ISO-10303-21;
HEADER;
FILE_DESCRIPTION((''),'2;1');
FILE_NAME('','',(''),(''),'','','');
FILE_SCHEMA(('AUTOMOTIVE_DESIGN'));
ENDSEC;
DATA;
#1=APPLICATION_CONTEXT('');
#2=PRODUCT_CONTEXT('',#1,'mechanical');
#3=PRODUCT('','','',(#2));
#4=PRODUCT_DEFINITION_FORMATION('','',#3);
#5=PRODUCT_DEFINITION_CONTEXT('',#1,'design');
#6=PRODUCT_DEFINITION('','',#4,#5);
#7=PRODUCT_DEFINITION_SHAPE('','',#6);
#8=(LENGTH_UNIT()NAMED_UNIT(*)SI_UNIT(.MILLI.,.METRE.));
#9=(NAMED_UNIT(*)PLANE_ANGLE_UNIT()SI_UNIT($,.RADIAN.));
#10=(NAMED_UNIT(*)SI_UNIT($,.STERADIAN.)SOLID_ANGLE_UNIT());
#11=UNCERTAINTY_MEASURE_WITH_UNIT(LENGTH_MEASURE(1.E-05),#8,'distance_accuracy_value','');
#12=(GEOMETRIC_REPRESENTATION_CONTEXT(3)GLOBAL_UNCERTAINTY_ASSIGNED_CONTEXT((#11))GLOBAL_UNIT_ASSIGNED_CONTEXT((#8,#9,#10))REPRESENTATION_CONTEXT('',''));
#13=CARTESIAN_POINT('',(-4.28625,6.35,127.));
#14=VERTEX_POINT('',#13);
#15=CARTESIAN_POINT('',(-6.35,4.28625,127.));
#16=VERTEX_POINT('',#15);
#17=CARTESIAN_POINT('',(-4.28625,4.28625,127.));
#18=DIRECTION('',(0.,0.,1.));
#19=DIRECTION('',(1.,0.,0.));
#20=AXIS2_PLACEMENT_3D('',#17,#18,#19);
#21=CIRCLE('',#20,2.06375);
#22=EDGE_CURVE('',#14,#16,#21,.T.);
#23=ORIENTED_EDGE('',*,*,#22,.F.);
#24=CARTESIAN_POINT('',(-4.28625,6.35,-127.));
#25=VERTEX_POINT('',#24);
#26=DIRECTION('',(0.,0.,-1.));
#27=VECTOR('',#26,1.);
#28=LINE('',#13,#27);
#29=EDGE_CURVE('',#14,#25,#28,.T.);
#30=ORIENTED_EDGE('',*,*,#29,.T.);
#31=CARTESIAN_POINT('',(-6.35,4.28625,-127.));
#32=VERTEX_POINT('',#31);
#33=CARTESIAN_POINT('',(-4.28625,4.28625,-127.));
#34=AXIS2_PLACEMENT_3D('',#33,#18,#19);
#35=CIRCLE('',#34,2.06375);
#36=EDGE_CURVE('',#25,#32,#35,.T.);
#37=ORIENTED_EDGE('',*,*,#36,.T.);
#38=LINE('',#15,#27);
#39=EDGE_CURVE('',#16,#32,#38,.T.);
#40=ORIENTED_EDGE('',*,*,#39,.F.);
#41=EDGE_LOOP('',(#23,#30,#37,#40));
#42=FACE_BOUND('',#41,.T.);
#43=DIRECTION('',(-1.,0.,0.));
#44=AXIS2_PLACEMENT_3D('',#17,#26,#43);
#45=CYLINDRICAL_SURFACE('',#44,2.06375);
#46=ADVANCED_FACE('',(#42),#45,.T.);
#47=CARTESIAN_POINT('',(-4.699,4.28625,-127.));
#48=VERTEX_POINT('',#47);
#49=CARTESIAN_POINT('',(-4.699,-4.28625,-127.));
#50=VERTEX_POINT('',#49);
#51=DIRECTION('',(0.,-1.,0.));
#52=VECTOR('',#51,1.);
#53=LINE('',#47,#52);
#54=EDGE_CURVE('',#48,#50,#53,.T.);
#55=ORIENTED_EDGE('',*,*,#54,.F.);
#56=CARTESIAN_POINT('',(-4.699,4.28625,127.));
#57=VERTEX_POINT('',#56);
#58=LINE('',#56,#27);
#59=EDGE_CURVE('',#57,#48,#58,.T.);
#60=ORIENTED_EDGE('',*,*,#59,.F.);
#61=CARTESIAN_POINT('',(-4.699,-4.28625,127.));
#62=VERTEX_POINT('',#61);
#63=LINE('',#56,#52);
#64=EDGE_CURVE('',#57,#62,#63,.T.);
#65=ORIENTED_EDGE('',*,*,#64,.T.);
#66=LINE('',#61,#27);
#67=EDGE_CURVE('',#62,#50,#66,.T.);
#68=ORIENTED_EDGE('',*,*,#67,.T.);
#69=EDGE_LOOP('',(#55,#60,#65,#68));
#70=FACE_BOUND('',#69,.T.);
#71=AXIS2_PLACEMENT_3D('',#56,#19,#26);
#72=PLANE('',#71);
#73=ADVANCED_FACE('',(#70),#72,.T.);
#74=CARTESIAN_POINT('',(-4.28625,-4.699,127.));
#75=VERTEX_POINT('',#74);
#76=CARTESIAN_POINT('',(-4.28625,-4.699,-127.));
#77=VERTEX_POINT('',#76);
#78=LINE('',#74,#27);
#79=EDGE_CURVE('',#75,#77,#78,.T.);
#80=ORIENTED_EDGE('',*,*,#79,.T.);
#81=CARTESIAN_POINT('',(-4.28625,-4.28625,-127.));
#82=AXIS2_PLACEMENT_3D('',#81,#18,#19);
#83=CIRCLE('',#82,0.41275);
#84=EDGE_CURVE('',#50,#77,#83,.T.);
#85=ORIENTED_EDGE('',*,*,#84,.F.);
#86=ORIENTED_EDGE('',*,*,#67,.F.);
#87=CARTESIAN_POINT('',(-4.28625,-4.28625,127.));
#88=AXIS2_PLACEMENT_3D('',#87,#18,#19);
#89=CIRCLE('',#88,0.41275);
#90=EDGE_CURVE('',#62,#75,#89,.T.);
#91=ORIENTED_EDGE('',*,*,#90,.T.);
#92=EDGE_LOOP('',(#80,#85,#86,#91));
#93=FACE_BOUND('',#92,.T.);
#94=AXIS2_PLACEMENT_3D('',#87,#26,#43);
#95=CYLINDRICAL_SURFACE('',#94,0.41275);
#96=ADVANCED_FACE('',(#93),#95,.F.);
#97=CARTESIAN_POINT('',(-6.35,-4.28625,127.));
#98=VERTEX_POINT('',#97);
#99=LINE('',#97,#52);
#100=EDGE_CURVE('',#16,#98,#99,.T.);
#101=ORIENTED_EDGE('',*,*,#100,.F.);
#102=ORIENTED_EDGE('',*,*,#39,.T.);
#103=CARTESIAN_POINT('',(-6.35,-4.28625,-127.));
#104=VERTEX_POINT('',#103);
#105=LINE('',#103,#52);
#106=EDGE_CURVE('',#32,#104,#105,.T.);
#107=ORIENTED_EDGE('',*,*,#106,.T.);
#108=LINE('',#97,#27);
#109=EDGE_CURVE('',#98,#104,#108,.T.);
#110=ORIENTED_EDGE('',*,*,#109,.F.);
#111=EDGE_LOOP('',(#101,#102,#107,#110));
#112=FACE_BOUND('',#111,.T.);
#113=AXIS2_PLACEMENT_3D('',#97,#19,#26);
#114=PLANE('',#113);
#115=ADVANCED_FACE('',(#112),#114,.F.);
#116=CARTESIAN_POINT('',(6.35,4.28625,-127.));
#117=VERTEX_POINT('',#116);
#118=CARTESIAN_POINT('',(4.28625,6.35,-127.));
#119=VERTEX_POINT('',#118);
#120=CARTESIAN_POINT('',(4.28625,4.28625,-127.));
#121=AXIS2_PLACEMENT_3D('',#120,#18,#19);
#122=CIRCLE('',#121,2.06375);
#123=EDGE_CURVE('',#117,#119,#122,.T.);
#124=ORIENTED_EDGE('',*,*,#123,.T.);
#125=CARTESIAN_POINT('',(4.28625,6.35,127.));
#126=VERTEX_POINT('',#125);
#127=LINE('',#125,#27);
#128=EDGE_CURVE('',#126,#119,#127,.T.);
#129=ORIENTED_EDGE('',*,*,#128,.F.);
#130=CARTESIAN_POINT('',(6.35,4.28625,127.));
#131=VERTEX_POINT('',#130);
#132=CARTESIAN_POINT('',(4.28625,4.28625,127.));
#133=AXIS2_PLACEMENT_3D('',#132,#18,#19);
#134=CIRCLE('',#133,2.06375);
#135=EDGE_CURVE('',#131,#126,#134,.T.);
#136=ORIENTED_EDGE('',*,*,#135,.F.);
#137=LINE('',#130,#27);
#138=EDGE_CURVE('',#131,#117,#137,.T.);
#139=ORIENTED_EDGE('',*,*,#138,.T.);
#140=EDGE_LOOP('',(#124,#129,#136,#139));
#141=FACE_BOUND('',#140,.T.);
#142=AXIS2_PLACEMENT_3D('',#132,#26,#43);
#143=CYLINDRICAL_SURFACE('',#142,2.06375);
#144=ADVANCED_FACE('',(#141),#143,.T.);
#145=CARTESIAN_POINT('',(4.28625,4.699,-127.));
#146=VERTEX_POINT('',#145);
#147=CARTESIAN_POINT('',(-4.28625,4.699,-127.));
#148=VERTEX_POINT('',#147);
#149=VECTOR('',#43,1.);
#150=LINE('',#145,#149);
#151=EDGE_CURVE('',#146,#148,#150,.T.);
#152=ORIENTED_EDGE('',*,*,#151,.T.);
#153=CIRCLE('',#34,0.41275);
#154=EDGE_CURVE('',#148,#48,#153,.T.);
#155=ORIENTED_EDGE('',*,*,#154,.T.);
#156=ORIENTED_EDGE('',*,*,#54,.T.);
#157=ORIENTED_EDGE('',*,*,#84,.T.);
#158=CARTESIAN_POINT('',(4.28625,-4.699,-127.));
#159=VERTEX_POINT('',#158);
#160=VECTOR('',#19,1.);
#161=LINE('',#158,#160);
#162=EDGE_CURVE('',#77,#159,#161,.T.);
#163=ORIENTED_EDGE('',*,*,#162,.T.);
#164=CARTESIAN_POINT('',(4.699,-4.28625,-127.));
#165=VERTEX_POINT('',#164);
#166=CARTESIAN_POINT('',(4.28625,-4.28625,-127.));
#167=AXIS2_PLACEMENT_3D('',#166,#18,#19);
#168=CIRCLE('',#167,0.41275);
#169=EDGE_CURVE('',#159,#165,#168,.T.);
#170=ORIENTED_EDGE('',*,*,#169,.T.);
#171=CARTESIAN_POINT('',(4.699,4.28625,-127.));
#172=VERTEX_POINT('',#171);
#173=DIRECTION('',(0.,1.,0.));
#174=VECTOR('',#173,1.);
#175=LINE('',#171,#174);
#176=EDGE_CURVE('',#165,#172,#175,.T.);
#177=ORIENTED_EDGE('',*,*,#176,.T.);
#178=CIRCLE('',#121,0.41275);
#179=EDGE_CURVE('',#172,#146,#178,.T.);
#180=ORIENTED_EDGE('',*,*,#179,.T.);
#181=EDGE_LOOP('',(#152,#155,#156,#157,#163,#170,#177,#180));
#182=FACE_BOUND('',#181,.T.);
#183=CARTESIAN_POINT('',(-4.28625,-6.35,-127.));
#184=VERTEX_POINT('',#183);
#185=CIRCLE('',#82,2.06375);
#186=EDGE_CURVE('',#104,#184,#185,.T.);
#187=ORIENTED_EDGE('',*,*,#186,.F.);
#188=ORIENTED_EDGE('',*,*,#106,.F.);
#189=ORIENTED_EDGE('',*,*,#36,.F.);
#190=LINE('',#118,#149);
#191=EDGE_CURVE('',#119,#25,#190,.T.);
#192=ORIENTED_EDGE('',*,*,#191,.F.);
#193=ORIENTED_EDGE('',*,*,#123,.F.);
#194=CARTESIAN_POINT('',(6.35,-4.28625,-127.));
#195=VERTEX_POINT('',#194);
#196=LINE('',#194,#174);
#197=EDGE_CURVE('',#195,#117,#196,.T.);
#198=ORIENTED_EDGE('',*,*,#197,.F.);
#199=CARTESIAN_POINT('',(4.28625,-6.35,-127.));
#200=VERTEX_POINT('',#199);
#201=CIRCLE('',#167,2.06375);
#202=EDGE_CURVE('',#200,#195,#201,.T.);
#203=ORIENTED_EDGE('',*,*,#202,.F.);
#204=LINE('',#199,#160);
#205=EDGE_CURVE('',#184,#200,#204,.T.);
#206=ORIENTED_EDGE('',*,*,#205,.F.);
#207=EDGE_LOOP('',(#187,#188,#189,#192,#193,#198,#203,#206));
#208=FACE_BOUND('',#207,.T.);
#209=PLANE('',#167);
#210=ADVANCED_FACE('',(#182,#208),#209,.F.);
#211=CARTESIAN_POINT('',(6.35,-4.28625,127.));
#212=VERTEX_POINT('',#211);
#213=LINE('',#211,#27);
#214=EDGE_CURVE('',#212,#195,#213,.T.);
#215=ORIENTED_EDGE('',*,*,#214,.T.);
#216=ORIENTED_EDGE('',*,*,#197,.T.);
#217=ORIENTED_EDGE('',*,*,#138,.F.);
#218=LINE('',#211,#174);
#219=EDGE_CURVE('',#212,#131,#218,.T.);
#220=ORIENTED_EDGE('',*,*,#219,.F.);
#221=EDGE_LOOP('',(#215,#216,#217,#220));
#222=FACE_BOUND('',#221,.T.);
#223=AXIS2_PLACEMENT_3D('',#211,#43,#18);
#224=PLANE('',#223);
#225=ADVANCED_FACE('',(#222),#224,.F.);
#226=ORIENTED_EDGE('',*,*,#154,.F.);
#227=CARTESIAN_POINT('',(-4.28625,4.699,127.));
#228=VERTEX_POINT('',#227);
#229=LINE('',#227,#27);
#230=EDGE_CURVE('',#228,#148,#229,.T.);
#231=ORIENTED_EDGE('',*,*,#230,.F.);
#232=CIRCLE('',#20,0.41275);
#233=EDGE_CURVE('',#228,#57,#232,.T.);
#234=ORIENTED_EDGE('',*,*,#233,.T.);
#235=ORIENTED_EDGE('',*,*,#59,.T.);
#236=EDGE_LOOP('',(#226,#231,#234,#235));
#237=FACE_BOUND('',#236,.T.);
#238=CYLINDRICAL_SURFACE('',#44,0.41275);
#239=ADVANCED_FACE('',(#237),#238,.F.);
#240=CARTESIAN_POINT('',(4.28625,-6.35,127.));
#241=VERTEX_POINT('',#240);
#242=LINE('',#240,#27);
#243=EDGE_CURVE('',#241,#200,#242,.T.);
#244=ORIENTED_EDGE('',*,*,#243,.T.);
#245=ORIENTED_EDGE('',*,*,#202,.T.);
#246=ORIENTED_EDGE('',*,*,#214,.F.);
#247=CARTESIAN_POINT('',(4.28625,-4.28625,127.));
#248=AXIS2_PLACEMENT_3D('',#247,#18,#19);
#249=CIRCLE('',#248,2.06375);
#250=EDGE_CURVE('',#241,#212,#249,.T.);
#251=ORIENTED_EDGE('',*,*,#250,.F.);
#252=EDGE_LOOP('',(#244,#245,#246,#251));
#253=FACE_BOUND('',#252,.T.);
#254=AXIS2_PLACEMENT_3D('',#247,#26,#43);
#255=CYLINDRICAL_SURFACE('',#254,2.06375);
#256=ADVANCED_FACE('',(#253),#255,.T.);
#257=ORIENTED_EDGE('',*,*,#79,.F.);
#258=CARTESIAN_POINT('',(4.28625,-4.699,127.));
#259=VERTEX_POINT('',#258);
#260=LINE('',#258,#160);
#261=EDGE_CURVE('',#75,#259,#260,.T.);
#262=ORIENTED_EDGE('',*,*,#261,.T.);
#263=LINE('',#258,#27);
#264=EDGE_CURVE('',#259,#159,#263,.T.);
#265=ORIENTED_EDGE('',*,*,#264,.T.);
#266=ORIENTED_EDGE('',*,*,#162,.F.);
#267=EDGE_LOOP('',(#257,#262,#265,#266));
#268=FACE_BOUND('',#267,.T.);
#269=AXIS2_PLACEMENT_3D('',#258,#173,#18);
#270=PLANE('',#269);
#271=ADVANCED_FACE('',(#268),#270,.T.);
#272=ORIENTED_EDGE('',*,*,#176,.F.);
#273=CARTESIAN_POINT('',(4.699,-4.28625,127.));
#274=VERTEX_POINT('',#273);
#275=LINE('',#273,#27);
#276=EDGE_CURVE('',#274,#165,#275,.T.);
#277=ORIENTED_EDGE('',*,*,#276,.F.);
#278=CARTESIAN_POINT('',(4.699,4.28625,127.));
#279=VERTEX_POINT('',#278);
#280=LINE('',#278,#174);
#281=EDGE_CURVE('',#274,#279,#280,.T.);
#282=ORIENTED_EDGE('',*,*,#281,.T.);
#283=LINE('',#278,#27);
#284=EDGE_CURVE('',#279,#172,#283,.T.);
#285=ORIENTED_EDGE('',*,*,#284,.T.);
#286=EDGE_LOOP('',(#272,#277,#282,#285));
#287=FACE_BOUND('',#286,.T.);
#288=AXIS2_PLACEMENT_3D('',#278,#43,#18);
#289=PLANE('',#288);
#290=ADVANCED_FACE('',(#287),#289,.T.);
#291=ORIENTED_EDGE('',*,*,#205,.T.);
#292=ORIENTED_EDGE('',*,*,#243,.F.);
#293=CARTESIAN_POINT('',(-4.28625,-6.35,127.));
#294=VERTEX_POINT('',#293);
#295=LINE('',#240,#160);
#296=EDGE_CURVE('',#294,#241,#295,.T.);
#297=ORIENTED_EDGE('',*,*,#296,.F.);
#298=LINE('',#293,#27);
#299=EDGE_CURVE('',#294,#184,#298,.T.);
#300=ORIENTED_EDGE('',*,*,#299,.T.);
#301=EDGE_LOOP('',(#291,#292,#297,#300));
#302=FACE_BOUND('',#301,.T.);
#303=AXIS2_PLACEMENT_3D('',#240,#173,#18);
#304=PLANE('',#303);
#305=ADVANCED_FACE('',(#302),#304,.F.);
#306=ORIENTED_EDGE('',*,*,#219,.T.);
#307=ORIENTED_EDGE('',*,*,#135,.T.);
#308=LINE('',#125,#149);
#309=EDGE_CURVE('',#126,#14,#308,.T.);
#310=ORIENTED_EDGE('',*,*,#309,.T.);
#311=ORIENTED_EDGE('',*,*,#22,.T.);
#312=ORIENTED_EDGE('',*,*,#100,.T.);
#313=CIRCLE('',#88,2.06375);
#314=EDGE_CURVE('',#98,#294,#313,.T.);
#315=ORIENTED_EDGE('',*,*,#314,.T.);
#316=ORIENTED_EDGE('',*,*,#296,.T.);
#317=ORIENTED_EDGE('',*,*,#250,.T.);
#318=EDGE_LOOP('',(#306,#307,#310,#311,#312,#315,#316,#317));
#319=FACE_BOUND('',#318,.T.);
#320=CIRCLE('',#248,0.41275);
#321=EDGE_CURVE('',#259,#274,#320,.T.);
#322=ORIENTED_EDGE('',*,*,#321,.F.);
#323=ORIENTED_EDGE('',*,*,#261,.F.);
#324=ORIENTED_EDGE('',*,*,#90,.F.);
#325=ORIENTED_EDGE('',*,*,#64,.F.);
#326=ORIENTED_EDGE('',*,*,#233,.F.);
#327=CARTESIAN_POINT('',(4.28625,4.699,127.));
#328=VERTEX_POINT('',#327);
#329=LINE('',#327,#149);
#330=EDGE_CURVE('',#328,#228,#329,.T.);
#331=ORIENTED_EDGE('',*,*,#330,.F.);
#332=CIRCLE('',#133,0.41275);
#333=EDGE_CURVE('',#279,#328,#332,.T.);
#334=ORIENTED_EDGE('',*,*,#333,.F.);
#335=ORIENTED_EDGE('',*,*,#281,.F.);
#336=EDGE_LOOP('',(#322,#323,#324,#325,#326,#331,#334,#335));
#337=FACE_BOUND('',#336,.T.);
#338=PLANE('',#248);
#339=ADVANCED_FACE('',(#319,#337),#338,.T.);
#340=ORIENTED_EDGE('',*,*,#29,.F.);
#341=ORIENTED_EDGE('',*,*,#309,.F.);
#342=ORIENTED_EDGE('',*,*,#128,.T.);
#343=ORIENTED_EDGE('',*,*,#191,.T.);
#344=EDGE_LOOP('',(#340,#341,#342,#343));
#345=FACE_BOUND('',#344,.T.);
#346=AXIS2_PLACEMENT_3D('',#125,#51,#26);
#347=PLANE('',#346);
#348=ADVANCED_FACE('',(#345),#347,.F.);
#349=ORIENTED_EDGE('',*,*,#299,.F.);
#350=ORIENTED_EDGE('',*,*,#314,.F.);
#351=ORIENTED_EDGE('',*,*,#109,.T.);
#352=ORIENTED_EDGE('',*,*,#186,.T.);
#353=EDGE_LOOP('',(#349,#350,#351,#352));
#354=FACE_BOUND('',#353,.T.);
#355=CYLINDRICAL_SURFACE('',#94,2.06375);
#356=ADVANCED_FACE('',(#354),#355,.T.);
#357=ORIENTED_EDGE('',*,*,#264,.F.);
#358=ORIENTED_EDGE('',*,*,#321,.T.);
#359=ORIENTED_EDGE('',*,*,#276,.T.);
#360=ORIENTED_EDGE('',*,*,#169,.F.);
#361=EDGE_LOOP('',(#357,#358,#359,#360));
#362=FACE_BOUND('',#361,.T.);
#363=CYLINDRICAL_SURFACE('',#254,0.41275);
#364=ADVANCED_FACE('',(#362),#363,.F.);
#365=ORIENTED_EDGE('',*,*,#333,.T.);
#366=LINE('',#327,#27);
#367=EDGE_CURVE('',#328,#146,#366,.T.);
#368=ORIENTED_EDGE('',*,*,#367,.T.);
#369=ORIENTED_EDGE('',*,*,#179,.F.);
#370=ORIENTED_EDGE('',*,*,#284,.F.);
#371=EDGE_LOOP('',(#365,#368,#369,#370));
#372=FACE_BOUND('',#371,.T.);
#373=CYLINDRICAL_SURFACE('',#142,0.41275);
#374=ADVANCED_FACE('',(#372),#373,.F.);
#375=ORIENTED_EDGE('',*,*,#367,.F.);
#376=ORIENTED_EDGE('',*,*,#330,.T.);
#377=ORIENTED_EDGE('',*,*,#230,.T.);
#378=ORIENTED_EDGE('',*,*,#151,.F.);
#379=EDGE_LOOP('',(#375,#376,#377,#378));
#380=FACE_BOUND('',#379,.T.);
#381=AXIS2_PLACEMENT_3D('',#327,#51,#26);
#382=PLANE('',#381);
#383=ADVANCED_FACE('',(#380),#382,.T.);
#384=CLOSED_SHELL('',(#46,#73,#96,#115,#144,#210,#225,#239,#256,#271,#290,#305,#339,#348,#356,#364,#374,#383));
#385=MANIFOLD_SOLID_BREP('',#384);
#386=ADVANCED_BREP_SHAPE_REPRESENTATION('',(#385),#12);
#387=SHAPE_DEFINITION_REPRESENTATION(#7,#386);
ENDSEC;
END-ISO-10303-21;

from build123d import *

# Parameters (mm, degrees)
BOSS_EXTRUDE1_DEPTH = 127


with BuildPart() as part:
    # Sketch4 → Boss-Extrude1 (new body, symmetric)
    with BuildSketch(Plane.XY):
        with BuildLine():
            Line((6.35, -4.28625), (6.35, 4.28625))
            ThreePointArc((6.35, 4.28625), (5.74554162, 5.74554162), (4.28625, 6.35))
            Line((4.28625, 6.35), (-4.28625, 6.35))
            ThreePointArc((-4.28625, 6.35), (-5.74554162, 5.74554162), (-6.35, 4.28625))
            Line((-6.35, 4.28625), (-6.35, -4.28625))
            ThreePointArc((-6.35, -4.28625), (-5.74554162, -5.74554162), (-4.28625, -6.35))
            Line((-4.28625, -6.35), (4.28625, -6.35))
            ThreePointArc((4.28625, -6.35), (5.74554162, -5.74554162), (6.35, -4.28625))
        make_face()
        with BuildLine():
            Line((4.699, 4.28625), (4.699, -4.28625))
            ThreePointArc((4.699, -4.28625), (4.578108324, -4.578108324), (4.28625, -4.699))
            Line((4.28625, -4.699), (-4.28625, -4.699))
            ThreePointArc((-4.28625, -4.699), (-4.578108324, -4.578108324), (-4.699, -4.28625))
            Line((-4.699, -4.28625), (-4.699, 4.28625))
            ThreePointArc((-4.699, 4.28625), (-4.578108324, 4.578108324), (-4.28625, 4.699))
            Line((-4.28625, 4.699), (4.28625, 4.699))
            ThreePointArc((4.28625, 4.699), (4.578108324, 4.578108324), (4.699, 4.28625))
        make_face(mode=Mode.SUBTRACT)
    extrude(amount=BOSS_EXTRUDE1_DEPTH, both=True)


solid = part.part
